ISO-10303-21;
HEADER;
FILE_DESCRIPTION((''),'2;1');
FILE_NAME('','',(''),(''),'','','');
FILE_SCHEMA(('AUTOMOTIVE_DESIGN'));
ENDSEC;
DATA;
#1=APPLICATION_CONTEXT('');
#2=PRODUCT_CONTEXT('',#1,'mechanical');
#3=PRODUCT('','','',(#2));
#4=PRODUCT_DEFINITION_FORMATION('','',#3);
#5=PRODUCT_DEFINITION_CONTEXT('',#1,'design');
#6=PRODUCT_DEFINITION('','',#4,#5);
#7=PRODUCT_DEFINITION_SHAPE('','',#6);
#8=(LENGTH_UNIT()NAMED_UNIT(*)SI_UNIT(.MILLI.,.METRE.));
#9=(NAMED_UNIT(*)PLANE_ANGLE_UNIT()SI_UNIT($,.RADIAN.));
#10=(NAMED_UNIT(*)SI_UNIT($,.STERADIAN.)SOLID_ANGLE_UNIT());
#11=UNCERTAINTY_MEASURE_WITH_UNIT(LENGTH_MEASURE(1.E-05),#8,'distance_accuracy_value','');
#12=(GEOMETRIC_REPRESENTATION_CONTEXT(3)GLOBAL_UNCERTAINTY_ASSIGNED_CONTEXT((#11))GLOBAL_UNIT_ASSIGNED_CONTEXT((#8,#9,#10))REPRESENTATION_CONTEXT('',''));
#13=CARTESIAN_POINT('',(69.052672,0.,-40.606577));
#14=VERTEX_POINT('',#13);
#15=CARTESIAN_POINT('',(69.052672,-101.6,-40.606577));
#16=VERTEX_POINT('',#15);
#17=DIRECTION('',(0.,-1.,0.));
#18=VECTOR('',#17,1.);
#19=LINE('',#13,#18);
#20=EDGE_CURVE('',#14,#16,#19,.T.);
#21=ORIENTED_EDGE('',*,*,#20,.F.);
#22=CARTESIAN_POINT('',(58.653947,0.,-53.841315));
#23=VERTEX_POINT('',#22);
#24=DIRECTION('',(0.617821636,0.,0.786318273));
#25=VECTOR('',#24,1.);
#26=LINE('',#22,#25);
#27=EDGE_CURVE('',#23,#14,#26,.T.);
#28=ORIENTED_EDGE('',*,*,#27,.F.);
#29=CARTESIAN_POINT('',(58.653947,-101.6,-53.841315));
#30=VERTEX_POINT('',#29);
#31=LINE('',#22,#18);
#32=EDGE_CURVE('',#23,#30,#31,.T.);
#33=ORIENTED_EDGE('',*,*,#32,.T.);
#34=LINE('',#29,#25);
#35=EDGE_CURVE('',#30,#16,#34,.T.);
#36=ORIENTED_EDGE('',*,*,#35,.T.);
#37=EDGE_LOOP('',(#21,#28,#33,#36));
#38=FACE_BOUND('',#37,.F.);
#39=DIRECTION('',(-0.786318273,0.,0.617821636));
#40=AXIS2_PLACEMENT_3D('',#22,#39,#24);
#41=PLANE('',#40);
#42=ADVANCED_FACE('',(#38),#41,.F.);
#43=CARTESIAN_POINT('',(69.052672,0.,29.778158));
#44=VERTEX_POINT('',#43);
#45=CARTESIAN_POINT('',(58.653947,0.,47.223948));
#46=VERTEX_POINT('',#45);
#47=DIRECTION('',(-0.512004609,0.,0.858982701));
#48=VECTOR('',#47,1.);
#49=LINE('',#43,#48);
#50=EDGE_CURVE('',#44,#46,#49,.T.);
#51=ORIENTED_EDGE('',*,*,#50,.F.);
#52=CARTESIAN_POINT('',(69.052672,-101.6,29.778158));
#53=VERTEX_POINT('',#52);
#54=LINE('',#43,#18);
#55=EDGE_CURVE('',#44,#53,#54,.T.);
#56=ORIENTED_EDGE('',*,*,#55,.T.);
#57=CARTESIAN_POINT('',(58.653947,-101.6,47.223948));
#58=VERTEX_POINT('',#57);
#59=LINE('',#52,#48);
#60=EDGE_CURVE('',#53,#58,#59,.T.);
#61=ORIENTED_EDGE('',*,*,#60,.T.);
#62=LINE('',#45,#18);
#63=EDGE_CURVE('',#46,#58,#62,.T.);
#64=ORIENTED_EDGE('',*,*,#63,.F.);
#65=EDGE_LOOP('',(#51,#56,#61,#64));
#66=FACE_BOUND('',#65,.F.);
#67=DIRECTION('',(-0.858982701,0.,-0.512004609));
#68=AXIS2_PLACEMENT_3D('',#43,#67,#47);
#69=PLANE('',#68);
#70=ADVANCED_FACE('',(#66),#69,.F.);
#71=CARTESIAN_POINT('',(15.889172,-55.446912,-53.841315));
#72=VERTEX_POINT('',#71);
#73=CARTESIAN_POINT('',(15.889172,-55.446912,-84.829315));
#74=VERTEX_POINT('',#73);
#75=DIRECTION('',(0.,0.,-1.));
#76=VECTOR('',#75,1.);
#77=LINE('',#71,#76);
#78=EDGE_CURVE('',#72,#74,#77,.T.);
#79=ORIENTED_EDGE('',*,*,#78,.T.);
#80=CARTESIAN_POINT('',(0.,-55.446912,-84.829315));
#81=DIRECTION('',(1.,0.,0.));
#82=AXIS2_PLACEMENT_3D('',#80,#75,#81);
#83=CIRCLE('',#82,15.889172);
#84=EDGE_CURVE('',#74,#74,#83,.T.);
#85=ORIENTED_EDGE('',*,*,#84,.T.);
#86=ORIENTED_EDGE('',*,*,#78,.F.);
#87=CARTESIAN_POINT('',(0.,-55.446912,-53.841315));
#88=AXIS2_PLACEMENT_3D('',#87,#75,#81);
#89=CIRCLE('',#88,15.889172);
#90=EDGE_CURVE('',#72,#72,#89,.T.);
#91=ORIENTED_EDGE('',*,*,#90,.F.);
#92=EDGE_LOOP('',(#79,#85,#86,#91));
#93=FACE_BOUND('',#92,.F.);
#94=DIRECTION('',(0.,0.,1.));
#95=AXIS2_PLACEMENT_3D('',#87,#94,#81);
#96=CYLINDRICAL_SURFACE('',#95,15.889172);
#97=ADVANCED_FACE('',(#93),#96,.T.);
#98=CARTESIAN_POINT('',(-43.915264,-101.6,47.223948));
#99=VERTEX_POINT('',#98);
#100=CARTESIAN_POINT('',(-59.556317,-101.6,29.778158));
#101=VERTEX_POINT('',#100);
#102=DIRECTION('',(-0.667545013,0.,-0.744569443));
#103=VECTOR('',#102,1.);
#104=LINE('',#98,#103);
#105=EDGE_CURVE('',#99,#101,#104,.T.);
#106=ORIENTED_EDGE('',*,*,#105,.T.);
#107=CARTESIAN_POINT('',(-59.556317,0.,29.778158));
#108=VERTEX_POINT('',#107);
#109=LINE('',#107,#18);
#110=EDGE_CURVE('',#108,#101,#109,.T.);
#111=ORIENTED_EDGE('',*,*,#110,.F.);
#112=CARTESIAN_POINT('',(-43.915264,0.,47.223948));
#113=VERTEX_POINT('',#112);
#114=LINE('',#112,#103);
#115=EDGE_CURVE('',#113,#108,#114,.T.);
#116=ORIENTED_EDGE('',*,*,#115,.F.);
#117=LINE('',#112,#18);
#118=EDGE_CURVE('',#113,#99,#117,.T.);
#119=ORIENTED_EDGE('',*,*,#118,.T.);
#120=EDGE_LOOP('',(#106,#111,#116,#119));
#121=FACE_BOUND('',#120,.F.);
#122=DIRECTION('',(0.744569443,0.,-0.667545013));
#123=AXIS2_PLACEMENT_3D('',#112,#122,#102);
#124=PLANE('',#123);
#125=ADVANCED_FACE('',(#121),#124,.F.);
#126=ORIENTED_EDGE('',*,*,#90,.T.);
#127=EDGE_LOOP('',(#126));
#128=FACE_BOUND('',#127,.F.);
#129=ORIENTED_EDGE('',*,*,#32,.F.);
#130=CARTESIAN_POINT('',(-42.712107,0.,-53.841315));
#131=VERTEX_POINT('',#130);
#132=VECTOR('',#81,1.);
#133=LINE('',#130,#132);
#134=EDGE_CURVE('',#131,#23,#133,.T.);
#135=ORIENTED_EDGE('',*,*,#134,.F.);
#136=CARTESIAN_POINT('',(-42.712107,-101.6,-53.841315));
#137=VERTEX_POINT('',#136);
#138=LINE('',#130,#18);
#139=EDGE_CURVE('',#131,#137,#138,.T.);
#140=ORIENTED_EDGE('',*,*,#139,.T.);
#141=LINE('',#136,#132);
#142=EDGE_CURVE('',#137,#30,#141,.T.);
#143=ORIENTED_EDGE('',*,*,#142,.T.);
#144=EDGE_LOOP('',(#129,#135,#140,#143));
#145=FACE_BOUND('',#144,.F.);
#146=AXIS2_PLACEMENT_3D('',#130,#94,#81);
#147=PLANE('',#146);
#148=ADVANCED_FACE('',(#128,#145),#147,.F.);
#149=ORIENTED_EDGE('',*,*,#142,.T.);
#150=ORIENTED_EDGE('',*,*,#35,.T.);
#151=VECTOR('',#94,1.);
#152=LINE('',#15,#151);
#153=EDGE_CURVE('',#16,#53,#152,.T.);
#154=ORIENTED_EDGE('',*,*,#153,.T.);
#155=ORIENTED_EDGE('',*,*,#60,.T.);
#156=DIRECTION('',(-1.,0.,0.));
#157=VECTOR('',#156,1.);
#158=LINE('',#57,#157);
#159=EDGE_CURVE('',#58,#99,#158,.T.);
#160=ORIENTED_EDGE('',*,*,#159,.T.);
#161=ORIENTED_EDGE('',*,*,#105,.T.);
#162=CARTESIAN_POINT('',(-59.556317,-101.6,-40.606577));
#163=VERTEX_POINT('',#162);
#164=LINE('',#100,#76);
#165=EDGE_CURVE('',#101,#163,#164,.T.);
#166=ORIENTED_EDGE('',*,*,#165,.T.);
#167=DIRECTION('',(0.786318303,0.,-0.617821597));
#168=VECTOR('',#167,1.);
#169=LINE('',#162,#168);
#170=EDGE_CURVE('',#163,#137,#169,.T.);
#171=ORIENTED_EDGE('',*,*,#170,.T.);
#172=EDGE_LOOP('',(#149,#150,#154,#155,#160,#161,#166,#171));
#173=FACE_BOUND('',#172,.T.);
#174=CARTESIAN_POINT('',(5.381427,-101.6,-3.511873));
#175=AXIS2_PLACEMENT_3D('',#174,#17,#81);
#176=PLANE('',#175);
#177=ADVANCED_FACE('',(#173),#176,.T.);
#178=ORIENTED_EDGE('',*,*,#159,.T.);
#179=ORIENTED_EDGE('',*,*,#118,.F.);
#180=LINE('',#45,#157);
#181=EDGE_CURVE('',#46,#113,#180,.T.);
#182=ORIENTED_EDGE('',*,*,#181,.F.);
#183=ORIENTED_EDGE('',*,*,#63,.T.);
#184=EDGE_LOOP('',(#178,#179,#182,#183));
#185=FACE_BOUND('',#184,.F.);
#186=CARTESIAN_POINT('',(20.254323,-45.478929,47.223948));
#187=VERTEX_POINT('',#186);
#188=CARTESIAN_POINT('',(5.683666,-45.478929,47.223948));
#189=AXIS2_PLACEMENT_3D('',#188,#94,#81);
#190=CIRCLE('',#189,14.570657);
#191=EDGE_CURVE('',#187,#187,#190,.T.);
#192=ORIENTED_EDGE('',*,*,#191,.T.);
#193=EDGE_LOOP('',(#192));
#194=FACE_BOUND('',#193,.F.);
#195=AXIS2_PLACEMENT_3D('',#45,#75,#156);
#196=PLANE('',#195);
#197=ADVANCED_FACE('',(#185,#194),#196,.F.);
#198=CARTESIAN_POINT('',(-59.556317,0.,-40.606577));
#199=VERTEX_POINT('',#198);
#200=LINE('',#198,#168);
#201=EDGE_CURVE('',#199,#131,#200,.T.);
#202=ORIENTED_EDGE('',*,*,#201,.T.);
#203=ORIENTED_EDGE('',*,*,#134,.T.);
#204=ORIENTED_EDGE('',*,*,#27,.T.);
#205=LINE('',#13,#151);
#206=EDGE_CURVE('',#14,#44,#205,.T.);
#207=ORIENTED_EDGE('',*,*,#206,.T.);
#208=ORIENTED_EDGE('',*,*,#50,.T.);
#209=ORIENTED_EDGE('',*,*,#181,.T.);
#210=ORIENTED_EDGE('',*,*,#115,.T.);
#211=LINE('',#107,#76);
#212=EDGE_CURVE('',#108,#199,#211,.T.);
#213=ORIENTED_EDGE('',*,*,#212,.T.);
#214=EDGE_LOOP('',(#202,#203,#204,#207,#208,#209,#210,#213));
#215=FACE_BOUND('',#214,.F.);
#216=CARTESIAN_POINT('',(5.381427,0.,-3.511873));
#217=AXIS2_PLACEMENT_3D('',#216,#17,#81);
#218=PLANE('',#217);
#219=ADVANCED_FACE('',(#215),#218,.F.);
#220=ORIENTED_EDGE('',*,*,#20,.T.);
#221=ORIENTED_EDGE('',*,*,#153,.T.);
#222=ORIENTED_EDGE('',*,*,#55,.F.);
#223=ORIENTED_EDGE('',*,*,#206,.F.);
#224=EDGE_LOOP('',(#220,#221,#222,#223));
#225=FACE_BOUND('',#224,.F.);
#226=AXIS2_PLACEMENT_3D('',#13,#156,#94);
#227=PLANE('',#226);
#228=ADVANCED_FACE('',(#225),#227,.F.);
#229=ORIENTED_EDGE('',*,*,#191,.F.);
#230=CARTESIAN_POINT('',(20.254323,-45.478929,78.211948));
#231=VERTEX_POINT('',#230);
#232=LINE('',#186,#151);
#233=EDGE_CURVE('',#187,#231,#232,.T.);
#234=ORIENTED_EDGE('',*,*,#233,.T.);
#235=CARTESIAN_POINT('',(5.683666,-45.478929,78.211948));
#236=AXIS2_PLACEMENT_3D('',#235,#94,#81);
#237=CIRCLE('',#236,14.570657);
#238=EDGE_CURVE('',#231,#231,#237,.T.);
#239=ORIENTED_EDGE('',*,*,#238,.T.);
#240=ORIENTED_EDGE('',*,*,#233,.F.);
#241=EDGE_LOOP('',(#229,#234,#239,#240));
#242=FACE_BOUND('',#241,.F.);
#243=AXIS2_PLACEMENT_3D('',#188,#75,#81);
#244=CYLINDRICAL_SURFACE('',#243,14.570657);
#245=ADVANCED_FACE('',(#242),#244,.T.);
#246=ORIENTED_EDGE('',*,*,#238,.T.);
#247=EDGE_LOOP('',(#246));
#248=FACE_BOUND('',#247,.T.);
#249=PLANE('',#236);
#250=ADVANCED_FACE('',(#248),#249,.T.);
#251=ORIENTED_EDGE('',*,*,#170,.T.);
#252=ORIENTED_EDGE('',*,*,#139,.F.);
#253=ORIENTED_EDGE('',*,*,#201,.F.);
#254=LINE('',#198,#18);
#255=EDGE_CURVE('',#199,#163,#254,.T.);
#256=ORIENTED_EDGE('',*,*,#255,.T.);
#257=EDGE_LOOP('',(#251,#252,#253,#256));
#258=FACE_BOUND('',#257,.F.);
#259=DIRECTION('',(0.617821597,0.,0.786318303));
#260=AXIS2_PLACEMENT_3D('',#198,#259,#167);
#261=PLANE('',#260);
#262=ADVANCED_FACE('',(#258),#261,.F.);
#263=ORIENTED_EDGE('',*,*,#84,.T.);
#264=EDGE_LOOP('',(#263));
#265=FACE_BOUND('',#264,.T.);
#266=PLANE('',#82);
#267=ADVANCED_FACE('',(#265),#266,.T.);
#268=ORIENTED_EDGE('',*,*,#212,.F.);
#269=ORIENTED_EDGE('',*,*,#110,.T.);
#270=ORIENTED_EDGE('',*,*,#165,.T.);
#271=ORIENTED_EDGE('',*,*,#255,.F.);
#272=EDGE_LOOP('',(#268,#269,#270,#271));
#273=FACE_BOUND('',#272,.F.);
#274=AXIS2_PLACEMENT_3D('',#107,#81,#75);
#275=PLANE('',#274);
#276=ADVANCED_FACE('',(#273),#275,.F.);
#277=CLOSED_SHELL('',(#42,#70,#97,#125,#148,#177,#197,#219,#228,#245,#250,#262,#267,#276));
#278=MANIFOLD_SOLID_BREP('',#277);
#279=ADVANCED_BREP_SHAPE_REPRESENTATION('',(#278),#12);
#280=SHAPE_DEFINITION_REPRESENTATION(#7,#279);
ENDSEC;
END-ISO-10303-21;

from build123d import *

# Parameters (mm, degrees)
F1_DEPTH = 101.6
F2_R     = 14.570657
F3_DEPTH = 30.988
F4_R     = 15.889172
F5_DEPTH = 30.988


with BuildPart() as f1:
    # F0 (on Front) → F1 (new body)
    with BuildSketch(Plane.XZ):
        Polygon((58.653947, 47.223948), (-43.915264, 47.223948), (-59.556317, 29.778158), (-59.556317, -40.606577), (-42.712107, -53.841315), (58.653947, -53.841315), (69.052672, -40.606577), (69.052672, 29.778158), align=None)
    extrude(amount=F1_DEPTH)

    # F2 (on face) → F3 (join)
    with BuildSketch(Plane.XY.offset(47.223948)):
        with Locations((5.683666, -45.478929)):
            Circle(F2_R)
    extrude(amount=F3_DEPTH)

    # F4 (on face) → F5 (join)
    with BuildSketch(Plane(origin=(0, 0, -53.841315), x_dir=(1, 0, 0), z_dir=(0, 0, -1))):
        with Locations((0, 55.446912)):
            Circle(F4_R)
    extrude(amount=F5_DEPTH)


solid = f1.part
